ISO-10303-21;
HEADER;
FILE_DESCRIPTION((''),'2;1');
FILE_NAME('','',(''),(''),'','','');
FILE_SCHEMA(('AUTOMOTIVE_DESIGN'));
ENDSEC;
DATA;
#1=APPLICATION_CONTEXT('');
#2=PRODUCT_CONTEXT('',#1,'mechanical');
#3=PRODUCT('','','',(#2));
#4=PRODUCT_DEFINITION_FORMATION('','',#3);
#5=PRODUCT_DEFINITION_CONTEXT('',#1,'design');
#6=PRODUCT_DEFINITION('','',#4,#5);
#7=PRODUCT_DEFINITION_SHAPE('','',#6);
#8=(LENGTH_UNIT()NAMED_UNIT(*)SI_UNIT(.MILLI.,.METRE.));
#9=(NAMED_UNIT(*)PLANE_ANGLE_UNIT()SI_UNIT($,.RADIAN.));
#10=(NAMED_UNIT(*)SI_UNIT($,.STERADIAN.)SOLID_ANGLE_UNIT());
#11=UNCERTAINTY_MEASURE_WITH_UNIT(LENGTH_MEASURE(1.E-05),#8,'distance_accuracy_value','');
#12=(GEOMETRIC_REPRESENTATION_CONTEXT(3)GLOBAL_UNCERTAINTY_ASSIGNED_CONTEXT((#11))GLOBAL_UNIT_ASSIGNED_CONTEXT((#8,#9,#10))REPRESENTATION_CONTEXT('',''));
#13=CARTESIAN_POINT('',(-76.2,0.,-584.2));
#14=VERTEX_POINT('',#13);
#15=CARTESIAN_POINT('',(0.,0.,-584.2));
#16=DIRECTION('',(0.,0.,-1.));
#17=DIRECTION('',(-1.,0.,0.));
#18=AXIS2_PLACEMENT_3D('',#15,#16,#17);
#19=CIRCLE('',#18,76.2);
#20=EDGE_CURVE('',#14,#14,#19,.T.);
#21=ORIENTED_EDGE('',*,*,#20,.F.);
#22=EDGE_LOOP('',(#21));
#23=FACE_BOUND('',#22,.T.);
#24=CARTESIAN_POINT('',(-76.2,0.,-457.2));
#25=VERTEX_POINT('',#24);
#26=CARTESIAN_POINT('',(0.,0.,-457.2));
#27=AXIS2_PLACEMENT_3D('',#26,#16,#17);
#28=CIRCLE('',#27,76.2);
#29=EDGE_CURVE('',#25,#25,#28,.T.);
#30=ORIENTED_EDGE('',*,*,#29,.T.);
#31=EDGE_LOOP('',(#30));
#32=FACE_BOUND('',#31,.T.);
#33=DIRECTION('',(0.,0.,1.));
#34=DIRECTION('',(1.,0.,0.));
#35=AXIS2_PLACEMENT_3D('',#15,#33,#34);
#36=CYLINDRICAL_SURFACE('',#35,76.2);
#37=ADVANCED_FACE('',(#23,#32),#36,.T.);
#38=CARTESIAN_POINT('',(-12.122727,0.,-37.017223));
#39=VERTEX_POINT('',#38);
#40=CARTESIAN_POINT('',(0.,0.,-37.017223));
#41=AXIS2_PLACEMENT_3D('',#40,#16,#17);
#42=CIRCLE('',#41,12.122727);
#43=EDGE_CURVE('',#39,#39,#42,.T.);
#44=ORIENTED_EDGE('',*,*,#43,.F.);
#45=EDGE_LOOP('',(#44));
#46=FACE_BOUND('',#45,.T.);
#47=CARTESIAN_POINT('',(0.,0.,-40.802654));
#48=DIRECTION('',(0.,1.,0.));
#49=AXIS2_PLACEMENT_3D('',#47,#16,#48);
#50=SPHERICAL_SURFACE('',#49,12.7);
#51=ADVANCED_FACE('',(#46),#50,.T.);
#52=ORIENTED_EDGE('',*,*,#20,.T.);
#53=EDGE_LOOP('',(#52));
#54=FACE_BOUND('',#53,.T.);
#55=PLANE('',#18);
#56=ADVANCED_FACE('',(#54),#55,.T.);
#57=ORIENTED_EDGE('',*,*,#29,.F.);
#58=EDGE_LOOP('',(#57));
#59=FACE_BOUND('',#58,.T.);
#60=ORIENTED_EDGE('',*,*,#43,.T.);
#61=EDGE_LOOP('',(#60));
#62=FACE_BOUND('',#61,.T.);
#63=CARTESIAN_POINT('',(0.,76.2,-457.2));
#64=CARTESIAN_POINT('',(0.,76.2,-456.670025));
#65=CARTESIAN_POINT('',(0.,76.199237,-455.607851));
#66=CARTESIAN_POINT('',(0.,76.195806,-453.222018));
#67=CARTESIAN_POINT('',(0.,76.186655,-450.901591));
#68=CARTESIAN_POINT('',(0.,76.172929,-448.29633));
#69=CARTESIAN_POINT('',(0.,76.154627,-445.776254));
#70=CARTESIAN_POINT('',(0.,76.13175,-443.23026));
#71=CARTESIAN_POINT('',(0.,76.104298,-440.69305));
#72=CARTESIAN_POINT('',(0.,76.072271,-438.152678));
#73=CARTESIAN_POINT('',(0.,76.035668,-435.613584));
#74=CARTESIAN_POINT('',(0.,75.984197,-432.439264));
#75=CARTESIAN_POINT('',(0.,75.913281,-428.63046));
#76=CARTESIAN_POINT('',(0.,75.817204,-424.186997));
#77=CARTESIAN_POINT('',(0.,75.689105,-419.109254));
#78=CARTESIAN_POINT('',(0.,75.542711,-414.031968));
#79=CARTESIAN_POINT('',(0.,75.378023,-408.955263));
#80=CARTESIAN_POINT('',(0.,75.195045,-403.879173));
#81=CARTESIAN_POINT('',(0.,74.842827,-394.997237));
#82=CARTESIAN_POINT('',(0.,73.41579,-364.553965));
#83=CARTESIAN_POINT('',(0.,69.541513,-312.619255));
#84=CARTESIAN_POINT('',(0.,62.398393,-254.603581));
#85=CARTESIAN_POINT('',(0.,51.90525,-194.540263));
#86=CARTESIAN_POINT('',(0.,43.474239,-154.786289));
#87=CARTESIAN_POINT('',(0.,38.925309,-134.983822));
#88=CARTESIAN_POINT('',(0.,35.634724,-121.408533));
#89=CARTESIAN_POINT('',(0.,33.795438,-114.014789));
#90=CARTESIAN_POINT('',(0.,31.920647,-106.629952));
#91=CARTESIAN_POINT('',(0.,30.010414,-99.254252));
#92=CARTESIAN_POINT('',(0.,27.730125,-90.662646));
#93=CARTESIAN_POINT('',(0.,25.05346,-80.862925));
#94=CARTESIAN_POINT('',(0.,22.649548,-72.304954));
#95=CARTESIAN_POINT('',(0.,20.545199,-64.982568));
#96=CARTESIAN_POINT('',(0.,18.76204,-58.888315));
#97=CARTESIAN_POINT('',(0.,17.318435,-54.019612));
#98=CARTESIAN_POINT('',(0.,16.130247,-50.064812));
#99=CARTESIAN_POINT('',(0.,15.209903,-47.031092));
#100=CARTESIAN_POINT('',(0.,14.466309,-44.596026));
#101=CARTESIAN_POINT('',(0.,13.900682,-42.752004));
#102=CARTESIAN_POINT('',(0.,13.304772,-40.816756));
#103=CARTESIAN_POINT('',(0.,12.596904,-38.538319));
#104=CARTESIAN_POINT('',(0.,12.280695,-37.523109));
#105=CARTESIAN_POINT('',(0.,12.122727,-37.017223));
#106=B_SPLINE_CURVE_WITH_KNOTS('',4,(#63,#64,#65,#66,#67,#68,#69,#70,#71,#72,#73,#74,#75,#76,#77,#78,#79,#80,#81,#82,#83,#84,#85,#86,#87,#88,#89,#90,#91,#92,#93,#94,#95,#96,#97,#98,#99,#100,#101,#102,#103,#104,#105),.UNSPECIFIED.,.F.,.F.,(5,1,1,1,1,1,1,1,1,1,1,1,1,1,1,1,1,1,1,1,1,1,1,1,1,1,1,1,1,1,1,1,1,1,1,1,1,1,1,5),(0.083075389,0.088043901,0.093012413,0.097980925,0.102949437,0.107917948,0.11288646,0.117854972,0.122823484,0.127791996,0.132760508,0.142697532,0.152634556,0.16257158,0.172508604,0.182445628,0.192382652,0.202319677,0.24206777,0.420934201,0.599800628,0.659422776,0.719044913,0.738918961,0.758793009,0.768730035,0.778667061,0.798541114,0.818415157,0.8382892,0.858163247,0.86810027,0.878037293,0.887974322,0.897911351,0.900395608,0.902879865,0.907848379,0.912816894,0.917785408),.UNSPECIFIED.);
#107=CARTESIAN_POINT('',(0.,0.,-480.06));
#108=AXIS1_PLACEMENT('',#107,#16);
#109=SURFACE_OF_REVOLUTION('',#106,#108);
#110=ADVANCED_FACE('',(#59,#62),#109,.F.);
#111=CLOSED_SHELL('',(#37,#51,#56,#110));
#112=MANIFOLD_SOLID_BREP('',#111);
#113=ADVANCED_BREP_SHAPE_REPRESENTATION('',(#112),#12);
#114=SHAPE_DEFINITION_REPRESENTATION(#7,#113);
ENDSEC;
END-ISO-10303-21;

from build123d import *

# Parameters (mm, degrees)
SKETCH4_R           = 76.2
BOSS_EXTRUDE1_DEPTH = 127


with BuildPart() as part:
    # Sketch1 → Revolve1 (revolve)
    with BuildSketch(Plane(origin=(0, 0, 0), x_dir=(0, 0, -1), z_dir=(1, 0, 0))):
        with BuildLine():
            Line((457.2, 76.2), (457.2, 0))
            Line((457.2, 0), (28.102653709, 0))
            ThreePointArc((28.102653709, 0), (30.571207908, 7.523796703), (37.017223288, 12.122727273))
            add(Edge.make_bspline(
                [(37.017223288, 12.122727273), (37.52310906, 12.280694647), (38.538318559, 12.596904039), (40.816756218, 13.304771657), (42.752004479, 13.90068199), (44.596026055, 14.466308501), (47.03109181, 15.209903105), (50.064812323, 16.130247374), (54.019612263, 17.318435031), (58.888315086, 18.762040466), (64.982567727, 20.545198658), (72.30495351, 22.649547982), (80.862925362, 25.053460265), (90.662645854, 27.73012475), (99.254252227, 30.010413772), (106.629952216, 31.920646556), (114.014789381, 33.795438137), (121.408533039, 35.634724017), (134.983821777, 38.925308795), (154.786289186, 43.474238823), (194.540262792, 51.905249649), (254.60358103, 62.398393155), (312.619254535, 69.541513124), (364.55396501, 73.415790164), (394.997236841, 74.842827135), (403.879172543, 75.195044905), (408.955262717, 75.3780235), (414.031967532, 75.542711003), (419.109253724, 75.689105279), (424.186997048, 75.817204426), (428.630459668, 75.913281488), (432.439264091, 75.984196872), (435.613584089, 76.035668397), (438.152678191, 76.072270707), (440.693049904, 76.104297988), (443.230260366, 76.131750137), (445.776253825, 76.154627063), (448.296330315, 76.172928693), (450.90159068, 76.186654968), (453.222017869, 76.195805842), (455.607850756, 76.199237426), (456.670024688, 76.2), (457.2, 76.2)],
                knots=[0.083075389, 0.083075389, 0.083075389, 0.083075389, 0.083075389, 0.088043903, 0.093012418, 0.097980932, 0.100465189, 0.102949446, 0.112886475, 0.122823504, 0.132760527, 0.14269755, 0.162571597, 0.18244564, 0.202319683, 0.222193736, 0.232130762, 0.242067788, 0.261941836, 0.281815884, 0.341438021, 0.401060169, 0.579926596, 0.758793027, 0.79854112, 0.808478144, 0.818415169, 0.828352193, 0.838289217, 0.848226241, 0.858163265, 0.868100289, 0.873068801, 0.878037313, 0.883005825, 0.887974337, 0.892942848, 0.89791136, 0.902879872, 0.907848384, 0.912816896, 0.917785408, 0.917785408, 0.917785408, 0.917785408, 0.917785408], degree=4))
        make_face()
    revolve(axis=Axis((0, 0, -480.06), (0, 0, 1)))

    # Sketch4 → Boss-Extrude1 (add)
    with BuildSketch(Plane(origin=(0, 0, -457.2), x_dir=(-1, 0, 0), z_dir=(0, 0, -1))):
        Circle(SKETCH4_R)
    extrude(amount=BOSS_EXTRUDE1_DEPTH)


solid = part.part
